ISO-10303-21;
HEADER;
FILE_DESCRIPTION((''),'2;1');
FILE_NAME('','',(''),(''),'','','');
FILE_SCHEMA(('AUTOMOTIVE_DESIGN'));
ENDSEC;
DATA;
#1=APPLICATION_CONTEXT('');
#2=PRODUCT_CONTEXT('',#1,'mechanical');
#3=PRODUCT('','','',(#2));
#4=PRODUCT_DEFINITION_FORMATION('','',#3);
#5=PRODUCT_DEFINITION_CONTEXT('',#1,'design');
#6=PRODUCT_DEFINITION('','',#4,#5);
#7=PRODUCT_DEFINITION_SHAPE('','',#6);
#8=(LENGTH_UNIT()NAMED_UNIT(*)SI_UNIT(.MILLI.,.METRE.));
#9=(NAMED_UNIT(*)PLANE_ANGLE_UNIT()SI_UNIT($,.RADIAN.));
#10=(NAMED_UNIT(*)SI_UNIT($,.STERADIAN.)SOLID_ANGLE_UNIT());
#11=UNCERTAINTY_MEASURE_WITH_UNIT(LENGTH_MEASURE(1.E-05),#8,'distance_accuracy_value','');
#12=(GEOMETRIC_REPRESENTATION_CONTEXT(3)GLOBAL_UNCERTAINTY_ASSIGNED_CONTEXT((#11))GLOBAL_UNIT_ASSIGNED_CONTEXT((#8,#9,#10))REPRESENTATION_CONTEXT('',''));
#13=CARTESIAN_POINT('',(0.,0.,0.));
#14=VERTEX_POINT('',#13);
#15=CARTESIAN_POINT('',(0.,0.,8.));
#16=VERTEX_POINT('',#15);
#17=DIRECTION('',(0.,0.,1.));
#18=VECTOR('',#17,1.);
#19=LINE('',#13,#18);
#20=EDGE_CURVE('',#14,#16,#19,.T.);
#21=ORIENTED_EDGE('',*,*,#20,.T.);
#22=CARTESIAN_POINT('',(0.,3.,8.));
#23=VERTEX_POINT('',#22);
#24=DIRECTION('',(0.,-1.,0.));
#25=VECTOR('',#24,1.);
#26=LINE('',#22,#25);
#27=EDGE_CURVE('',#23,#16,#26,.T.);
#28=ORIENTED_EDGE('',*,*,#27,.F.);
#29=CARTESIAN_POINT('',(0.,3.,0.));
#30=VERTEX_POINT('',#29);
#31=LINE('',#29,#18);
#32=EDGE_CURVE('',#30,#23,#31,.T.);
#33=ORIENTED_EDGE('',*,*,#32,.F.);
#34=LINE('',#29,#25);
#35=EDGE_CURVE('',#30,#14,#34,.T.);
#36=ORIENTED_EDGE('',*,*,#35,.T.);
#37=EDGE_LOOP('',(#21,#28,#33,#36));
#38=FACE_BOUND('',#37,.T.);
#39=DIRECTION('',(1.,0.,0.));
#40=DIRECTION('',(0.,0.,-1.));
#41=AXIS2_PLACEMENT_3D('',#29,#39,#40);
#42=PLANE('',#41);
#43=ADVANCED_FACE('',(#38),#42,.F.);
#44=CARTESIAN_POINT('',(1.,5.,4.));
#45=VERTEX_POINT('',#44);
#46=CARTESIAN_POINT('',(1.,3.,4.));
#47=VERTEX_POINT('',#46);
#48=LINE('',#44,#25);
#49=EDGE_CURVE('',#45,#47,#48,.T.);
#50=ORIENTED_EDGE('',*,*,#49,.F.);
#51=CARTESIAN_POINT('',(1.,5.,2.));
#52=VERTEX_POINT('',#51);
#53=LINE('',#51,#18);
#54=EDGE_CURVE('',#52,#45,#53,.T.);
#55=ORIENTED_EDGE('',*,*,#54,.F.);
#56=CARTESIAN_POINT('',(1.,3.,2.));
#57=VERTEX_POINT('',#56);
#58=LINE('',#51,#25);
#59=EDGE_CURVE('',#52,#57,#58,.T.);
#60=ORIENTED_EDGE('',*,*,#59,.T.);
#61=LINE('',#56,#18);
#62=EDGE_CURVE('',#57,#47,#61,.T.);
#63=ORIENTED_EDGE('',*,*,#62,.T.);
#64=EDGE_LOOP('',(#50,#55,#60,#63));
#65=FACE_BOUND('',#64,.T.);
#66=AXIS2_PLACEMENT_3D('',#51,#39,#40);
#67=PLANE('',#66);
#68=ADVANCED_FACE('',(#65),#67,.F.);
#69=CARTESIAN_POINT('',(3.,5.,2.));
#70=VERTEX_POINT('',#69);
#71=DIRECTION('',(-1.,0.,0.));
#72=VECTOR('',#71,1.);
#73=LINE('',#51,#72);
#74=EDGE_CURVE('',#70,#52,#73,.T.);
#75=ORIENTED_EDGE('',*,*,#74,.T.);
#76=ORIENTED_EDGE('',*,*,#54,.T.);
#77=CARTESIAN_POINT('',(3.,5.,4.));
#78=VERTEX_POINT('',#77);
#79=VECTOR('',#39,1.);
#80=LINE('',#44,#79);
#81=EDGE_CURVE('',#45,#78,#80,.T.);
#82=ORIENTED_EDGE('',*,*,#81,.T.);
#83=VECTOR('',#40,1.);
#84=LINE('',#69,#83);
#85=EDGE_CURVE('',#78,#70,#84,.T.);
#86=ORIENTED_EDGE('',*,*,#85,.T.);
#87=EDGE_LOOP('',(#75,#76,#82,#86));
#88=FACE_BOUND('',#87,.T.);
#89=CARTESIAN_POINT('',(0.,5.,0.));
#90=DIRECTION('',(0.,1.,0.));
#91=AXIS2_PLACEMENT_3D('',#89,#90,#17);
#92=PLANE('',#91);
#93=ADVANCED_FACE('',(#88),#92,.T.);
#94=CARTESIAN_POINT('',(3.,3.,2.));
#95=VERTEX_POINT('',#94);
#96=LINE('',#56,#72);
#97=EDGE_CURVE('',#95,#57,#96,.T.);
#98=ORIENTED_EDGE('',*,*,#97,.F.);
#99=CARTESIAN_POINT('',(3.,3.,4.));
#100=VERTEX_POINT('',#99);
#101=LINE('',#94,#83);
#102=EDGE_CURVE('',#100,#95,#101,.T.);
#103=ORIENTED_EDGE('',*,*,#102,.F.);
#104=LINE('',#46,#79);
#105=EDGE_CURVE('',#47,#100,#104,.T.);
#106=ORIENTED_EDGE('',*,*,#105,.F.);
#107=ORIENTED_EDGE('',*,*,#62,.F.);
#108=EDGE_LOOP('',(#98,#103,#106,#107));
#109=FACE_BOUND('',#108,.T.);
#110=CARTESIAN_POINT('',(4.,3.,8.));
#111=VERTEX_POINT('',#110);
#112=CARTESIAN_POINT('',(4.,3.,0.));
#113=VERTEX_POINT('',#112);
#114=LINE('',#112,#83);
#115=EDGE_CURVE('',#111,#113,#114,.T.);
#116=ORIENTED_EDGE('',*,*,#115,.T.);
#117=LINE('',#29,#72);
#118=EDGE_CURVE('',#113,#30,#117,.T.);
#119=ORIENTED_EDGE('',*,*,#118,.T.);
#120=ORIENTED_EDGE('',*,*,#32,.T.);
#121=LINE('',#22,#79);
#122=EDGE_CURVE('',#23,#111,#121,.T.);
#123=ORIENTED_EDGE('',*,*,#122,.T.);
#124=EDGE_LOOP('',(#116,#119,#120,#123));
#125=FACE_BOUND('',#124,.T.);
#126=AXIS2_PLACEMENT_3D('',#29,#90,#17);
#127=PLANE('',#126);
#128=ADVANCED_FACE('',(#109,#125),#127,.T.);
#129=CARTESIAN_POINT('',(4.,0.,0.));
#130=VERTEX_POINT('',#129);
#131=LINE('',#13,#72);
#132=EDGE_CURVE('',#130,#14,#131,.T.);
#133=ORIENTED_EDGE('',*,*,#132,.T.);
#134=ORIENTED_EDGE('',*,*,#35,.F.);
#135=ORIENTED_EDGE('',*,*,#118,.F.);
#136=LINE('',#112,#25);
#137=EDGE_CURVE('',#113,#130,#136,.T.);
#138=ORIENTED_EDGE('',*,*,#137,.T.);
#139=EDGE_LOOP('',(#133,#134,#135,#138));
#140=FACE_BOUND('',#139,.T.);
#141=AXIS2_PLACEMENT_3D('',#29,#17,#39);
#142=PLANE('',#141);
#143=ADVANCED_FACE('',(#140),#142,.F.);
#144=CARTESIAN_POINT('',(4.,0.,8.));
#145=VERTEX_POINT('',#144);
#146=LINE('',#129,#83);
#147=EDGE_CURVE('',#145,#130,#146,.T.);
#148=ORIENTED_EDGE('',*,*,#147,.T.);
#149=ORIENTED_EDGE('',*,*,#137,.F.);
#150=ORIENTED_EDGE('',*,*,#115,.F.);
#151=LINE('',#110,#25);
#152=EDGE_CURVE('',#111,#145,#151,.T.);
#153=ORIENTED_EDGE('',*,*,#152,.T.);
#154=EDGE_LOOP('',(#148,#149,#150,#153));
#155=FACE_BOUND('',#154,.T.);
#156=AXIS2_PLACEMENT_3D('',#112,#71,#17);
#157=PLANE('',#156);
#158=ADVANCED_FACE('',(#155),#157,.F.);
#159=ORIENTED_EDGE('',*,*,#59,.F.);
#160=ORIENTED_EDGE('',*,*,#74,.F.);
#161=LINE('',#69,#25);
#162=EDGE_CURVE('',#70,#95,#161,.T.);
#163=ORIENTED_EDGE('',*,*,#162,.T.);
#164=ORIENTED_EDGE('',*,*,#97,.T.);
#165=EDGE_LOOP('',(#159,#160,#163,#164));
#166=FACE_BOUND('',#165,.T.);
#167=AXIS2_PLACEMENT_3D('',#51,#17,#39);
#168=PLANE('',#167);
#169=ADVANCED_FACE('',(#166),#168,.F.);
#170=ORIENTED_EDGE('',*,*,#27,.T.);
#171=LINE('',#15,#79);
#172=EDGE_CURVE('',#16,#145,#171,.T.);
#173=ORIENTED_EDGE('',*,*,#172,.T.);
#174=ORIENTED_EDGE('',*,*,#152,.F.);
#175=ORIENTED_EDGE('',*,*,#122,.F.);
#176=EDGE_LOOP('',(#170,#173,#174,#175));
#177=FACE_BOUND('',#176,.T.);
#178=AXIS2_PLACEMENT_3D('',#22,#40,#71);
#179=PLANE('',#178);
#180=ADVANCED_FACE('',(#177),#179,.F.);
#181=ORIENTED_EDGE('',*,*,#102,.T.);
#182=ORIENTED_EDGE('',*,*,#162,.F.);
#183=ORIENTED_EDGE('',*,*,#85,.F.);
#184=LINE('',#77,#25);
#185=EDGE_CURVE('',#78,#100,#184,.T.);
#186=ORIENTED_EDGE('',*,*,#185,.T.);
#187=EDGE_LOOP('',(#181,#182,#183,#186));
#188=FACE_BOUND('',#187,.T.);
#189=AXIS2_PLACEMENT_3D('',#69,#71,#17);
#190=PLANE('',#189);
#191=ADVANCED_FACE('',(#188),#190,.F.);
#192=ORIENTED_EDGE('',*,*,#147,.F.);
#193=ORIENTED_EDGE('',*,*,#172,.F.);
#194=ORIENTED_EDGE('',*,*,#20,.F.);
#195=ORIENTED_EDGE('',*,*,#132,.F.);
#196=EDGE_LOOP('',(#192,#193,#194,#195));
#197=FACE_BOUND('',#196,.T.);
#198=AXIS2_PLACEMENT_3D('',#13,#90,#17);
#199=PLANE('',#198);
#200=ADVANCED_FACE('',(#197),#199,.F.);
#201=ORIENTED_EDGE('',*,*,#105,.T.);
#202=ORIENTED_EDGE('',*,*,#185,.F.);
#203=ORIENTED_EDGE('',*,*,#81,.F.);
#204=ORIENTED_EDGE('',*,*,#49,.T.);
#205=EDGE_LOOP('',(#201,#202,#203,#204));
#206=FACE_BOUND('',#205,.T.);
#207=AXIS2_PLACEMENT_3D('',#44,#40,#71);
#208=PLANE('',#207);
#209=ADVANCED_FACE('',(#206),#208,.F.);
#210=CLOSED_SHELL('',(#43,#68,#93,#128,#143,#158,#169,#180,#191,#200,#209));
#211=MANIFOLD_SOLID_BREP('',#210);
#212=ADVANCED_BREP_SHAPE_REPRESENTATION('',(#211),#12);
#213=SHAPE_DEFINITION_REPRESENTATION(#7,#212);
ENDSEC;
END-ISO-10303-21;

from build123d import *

# Parameters (mm, degrees)
SKETCH1_W           = 4
SKETCH1_H           = 8
BOSS_EXTRUDE1_DEPTH = 3
SKETCH3_W           = 2
SKETCH3_H           = 2
BOSS_EXTRUDE2_DEPTH = 2


with BuildPart() as part:
    # Sketch1 → Boss-Extrude1 (new body)
    with BuildSketch(Plane(origin=(0, 0, 0), x_dir=(1, 0, 0), z_dir=(0, 1, 0))):
        with Locations((2, -4)):
            Rectangle(SKETCH1_W, SKETCH1_H)
    extrude(amount=BOSS_EXTRUDE1_DEPTH)

    # Sketch3 → Boss-Extrude2 (add)
    with BuildSketch(Plane(origin=(0, 3, 0), x_dir=(1, 0, 0), z_dir=(0, 1, 0))):
        with Locations((2, -3)):
            Rectangle(SKETCH3_W, SKETCH3_H)
    extrude(amount=BOSS_EXTRUDE2_DEPTH)


solid = part.part
